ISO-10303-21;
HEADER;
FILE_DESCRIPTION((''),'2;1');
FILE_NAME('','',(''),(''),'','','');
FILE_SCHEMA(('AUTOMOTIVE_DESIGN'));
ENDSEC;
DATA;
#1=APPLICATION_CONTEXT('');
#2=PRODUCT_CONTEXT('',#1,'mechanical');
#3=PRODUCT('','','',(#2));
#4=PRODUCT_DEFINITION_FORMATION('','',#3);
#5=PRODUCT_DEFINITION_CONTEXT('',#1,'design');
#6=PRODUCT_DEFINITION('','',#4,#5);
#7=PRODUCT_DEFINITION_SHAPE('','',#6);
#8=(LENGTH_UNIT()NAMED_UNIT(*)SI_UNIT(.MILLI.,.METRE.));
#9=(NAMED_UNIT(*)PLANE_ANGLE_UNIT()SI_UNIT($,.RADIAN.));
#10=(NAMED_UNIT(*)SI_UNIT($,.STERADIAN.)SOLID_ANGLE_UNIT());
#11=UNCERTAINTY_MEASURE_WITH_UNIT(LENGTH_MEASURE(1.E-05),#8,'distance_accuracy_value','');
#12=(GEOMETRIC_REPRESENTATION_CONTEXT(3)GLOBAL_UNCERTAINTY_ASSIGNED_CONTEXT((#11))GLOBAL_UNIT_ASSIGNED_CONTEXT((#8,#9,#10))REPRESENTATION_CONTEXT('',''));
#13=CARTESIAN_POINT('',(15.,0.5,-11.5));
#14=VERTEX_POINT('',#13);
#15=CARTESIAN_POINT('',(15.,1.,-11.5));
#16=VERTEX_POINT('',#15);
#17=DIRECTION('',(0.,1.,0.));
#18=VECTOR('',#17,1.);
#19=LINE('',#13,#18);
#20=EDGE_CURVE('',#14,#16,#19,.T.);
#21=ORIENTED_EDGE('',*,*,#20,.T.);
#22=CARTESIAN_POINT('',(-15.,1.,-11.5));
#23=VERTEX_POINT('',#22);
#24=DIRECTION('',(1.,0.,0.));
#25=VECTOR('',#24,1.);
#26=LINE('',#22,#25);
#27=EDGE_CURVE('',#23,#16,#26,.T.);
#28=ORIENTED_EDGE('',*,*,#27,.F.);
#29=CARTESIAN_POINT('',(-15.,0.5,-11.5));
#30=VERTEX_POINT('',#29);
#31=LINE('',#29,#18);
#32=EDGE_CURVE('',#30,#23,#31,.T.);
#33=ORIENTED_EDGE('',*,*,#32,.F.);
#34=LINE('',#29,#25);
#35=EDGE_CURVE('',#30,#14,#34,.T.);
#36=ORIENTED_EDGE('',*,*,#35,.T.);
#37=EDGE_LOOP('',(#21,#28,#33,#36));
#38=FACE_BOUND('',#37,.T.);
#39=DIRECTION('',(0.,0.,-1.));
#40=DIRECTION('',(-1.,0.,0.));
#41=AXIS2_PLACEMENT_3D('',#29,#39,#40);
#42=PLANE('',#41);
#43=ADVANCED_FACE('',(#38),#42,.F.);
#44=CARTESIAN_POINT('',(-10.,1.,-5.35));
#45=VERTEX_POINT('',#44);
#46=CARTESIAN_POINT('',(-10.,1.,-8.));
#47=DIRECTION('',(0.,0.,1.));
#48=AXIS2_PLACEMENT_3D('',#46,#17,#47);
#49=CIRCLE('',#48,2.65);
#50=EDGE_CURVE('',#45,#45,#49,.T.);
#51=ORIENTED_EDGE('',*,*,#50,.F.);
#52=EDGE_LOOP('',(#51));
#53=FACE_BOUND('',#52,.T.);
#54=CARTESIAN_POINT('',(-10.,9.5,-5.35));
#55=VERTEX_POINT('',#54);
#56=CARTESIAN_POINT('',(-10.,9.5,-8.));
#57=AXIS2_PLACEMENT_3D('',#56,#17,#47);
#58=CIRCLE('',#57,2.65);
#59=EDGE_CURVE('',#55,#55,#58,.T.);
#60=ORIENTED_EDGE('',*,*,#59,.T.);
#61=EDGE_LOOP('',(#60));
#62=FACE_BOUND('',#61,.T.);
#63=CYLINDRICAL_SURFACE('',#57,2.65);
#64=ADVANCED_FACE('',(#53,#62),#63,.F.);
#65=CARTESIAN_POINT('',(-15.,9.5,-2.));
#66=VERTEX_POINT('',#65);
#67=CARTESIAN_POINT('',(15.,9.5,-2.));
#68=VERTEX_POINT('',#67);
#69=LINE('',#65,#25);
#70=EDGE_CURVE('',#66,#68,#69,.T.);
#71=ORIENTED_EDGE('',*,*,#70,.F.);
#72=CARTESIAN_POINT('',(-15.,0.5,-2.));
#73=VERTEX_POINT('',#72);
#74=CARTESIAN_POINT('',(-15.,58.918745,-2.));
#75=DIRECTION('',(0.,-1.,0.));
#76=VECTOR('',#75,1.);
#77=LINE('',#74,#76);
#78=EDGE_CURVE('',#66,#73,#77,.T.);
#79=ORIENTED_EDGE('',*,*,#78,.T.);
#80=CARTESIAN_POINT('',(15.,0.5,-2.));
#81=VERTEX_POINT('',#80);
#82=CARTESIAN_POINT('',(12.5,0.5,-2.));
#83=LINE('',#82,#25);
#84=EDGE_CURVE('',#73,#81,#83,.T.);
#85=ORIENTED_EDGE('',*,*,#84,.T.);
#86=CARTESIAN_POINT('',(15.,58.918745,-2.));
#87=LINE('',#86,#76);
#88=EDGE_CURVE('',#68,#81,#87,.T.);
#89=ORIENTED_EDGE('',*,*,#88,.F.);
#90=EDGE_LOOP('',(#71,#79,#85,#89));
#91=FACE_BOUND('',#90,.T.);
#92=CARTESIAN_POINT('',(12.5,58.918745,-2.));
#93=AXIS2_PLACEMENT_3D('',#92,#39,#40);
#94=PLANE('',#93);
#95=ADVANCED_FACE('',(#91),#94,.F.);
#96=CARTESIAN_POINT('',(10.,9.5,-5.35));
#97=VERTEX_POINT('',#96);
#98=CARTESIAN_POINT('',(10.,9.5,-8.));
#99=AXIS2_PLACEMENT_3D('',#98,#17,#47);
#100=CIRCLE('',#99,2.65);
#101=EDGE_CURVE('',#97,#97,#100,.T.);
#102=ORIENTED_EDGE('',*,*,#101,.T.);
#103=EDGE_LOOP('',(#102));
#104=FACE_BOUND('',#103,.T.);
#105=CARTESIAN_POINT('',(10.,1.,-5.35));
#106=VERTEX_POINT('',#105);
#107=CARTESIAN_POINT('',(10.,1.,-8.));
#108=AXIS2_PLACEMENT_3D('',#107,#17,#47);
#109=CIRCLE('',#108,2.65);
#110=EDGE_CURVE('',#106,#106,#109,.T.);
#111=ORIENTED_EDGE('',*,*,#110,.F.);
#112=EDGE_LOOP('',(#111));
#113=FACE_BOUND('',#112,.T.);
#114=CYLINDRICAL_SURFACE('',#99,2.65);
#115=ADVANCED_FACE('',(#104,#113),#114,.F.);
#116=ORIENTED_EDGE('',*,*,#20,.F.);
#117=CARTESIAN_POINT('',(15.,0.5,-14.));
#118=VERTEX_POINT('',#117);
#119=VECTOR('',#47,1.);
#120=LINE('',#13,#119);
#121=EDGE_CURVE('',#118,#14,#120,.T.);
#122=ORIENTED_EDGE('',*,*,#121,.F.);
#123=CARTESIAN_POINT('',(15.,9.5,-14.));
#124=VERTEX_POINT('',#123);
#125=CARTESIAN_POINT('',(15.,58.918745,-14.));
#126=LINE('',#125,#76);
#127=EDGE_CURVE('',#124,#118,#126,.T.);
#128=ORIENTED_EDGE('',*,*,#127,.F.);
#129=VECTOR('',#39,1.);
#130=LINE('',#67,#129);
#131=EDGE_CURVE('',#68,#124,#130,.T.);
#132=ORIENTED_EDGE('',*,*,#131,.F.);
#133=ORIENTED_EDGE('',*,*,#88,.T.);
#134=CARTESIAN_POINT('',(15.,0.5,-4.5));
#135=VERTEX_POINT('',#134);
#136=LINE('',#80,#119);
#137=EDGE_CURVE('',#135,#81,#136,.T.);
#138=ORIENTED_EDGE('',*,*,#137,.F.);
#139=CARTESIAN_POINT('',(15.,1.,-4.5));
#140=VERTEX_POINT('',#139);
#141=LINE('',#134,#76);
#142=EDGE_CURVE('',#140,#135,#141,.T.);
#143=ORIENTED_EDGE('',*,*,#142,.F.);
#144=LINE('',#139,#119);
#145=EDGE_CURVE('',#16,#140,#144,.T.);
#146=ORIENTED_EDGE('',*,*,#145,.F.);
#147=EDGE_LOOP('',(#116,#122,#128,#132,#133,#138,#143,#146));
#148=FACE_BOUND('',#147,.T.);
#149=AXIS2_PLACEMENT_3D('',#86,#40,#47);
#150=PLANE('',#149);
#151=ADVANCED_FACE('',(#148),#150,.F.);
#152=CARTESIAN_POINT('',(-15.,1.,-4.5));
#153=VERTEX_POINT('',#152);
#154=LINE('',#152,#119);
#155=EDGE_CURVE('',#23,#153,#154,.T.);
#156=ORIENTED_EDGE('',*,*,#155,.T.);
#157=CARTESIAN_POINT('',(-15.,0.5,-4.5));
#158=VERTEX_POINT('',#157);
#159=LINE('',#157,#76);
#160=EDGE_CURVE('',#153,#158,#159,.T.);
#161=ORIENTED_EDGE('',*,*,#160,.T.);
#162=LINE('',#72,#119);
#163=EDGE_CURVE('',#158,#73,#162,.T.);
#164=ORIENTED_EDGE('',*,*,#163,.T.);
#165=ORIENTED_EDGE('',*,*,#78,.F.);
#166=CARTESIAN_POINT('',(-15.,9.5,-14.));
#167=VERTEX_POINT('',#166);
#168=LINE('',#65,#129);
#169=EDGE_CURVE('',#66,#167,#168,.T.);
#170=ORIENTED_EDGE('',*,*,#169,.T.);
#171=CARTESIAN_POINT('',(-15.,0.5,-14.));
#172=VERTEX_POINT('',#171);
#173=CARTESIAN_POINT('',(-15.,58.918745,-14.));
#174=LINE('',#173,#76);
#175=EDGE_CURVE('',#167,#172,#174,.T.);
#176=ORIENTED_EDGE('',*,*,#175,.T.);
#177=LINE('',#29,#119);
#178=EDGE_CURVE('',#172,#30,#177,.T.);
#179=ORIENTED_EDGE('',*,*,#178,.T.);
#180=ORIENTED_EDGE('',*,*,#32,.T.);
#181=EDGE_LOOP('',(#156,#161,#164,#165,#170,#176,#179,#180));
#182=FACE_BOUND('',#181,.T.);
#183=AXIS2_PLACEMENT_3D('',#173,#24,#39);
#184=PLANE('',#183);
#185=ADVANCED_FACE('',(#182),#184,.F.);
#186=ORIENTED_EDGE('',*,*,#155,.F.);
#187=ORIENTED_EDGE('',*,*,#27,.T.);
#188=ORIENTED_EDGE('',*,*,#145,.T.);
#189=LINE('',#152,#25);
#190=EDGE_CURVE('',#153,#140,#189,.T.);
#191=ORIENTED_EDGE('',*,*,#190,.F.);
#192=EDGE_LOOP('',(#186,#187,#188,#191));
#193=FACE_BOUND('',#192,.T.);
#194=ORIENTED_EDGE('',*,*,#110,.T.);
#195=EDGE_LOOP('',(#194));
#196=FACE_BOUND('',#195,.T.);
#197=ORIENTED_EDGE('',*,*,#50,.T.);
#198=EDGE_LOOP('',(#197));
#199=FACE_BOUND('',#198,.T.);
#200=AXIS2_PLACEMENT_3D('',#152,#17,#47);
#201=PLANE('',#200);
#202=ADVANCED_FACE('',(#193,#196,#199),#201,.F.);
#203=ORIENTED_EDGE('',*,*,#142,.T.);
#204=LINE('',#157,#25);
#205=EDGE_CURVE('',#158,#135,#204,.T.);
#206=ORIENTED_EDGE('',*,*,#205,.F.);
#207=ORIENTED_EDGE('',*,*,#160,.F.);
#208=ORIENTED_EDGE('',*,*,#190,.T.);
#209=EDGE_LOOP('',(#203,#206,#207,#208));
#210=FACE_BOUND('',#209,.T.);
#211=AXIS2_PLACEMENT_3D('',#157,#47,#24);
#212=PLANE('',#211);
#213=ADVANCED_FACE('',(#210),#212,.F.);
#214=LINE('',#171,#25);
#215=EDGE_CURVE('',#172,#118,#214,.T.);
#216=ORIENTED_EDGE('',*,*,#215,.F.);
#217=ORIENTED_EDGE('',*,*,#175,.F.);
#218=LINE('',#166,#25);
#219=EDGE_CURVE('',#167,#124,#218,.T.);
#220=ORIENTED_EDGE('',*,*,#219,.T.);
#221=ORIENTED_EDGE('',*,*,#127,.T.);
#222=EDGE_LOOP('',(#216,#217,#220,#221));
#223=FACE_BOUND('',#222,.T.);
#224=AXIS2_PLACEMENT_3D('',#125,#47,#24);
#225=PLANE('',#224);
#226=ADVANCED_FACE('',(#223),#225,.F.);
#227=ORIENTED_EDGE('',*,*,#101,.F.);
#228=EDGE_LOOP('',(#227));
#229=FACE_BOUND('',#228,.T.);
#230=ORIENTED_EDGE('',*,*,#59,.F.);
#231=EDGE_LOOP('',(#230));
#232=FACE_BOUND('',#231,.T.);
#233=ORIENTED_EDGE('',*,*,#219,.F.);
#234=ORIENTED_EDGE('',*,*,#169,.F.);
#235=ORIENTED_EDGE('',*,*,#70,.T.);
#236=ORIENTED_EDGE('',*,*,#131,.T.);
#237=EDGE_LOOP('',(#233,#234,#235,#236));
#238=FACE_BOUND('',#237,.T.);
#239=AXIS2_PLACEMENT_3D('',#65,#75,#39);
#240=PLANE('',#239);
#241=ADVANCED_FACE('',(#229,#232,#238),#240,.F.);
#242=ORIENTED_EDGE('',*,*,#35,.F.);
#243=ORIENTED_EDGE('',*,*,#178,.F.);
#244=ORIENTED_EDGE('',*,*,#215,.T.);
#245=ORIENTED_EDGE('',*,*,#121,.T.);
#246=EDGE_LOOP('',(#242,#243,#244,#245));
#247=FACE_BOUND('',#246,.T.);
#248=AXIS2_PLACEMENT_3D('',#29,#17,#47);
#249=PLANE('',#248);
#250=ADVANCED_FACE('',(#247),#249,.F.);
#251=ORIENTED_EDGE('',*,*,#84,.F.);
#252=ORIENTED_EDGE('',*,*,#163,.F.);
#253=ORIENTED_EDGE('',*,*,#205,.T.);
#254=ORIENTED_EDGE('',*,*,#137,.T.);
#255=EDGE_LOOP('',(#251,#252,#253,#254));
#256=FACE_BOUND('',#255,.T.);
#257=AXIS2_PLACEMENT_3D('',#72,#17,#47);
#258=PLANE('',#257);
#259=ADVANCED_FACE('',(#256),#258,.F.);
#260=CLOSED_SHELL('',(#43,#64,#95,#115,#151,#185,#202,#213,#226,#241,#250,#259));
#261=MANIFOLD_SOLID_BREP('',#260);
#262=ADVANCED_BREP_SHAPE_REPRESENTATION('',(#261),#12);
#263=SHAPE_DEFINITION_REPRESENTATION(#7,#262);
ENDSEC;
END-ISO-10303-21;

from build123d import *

# Parameters (mm, degrees)
BOSS_EXTRUDE3_DEPTH           = 20.5
BOSS_EXTRUDE3_DEPTH_BACK      = 20.5
CUT_EXTRUDE1_DEPTH            = 30.004310025
CUT_EXTRUDE1_DEPTH_BACK       = 30.004310025
SKETCH5_W                     = 12
SKETCH5_H                     = 11
SPLIT1_SURFACE_1_BACK         = 57.187
SPLIT1_SURFACE_1_DEPTH        = 114.374
SPLIT1_SURFACE_2_BACK         = 57.187
SPLIT1_SURFACE_2_DEPTH        = 114.374
M5_TAPPED_HOLE1_AT_2_COUNT    = 2
M5_TAPPED_HOLE1_AT_2_PITCH    = 20
SKETCH13_W                    = 2.65
SKETCH13_H                    = 8.5
M5_CLEARANCE_HOLE1_AT_2_COUNT = 2
M5_CLEARANCE_HOLE1_AT_2_PITCH = 20
SKETCH4_W                     = 1.65
SKETCH4_H                     = 25.5
SKETCH4_AT_POINT_2_W          = 1.65
SKETCH4_AT_POINT_2_H          = 25.5
SKETCH4_AT_POINT_3_W          = 1.65
SKETCH4_AT_POINT_3_H          = 25.5
SKETCH4_AT_POINT_4_W          = 1.65
SKETCH4_AT_POINT_4_H          = 25.5
CHAMFER1_SIZE                 = 2
CHAMFER2_SIZE                 = 1
CHAMFER2_SIZE2                = 1.732050808
FILLET1_R                     = 0.2


with BuildPart() as part:
    # Sketch3 → Boss-Extrude3 (new, two sides: drawn at the far end of the back side and taken through both)
    with BuildSketch(Plane(origin=(0, 0, 0), x_dir=(1, 0, 0), z_dir=(0, 1, 0)).offset(-BOSS_EXTRUDE3_DEPTH_BACK)):
        Polygon((10.5, -10), (10.5, 0), (12.5, 0), (12.5, 2), (15, 2), (15, 14), (-15, 14), (-15, 2), (-10.5, 2), (-10.5, 0), (-10.5, -10), align=None)
    extrude(amount=BOSS_EXTRUDE3_DEPTH + BOSS_EXTRUDE3_DEPTH_BACK)

    # Sketch5 → Cut-Extrude1 (cut, two sides: drawn at the far end of the back side and taken through both)
    with BuildSketch(Plane(origin=(0, 0, 0), x_dir=(0, 0, -1), z_dir=(1, 0, 0)).offset(-CUT_EXTRUDE1_DEPTH_BACK)):
        Polygon((2, 0.5), (4.5, 0.5), (4.5, 1), (11.5, 1), (11.5, 0.5), (14, 0.5), (14, -0.5), (11.5, -0.5), (11.5, -1), (4.5, -1), (4.5, -0.5), (2, -0.5), align=None)
        with Locations((8, 15)):
            Rectangle(SKETCH5_W, SKETCH5_H)
    extrude(amount=CUT_EXTRUDE1_DEPTH + CUT_EXTRUDE1_DEPTH_BACK, mode=Mode.SUBTRACT)


with BuildPart() as body_2:
    # Split1: the piece behind the surface
    add(part.part)
    # Split1 surface: a surface, the sketch's curves swept straight by 114.374 mm
    with BuildLine(Plane.ZY.offset(10.5).offset(-SPLIT1_SURFACE_1_BACK), mode=Mode.PRIVATE) as split1_surface_1_path:
        Line((-2, 20.5), (-2, -0.5))
    split1_surface_1 = Shell.extrude(split1_surface_1_path.wire(), (-1 * SPLIT1_SURFACE_1_DEPTH, 0 * SPLIT1_SURFACE_1_DEPTH, 0 * SPLIT1_SURFACE_1_DEPTH))
    split(bisect_by=split1_surface_1, keep=Keep.BOTTOM)

    # Sketch13 → M5 Clearance Hole1 (revolve, cut)
    with BuildSketch(Plane(origin=(-10, 9.5, -8), x_dir=(0, 0, 1), z_dir=(1, 0, 0))):
        with Locations((1.325, 4.25)):
            Rectangle(SKETCH13_W, SKETCH13_H)
    m5_clearance_hole1 = revolve(axis=Axis((-10, 15.85, -8), (0, -1, 0)), mode=Mode.SUBTRACT)

    # M5 Clearance Hole1 at 2: M5 Clearance Hole1 ×2
    with Locations(*[(i * M5_CLEARANCE_HOLE1_AT_2_PITCH, 0, 0) for i in range(1, M5_CLEARANCE_HOLE1_AT_2_COUNT)]):
        add(m5_clearance_hole1, mode=Mode.SUBTRACT)


with BuildPart() as part_1:
    add(part.part)

    # Split1: split by a surface, the side it looks to stays
    # Split1 surface: a surface, the sketch's curves swept straight by 114.374 mm
    with BuildLine(Plane.ZY.offset(10.5).offset(-SPLIT1_SURFACE_2_BACK), mode=Mode.PRIVATE) as split1_surface_2_path:
        Line((-2, 20.5), (-2, -0.5))
    split1_surface_2 = Shell.extrude(split1_surface_2_path.wire(), (-1 * SPLIT1_SURFACE_2_DEPTH, 0 * SPLIT1_SURFACE_2_DEPTH, 0 * SPLIT1_SURFACE_2_DEPTH))
    split(bisect_by=split1_surface_2, keep=Keep.TOP)

    # Sketch10 → M5 Tapped Hole1 (revolve, cut)
    with BuildSketch(Plane(origin=(-10, -1, -8), x_dir=(0, 0, 1), z_dir=(1, 0, 0))):
        Polygon((0, 0), (0, 15.2618073), (2.1, 14), (2.1, 0), align=None)
    m5_tapped_hole1 = revolve(axis=Axis((-10, 5.35, -8), (0, -1, 0)), mode=Mode.SUBTRACT)

    # M5 Tapped Hole1 at 2: M5 Tapped Hole1 ×2
    with Locations(*[(i * M5_TAPPED_HOLE1_AT_2_PITCH, 0, 0) for i in range(1, M5_TAPPED_HOLE1_AT_2_COUNT)]):
        add(m5_tapped_hole1, mode=Mode.SUBTRACT)

    # Sketch4 → M4 Tapped Hole1 (revolve, cut)
    with BuildSketch(Plane(origin=(10.5, 12.5, 5), x_dir=(0, 0, -1), z_dir=(0, 1, 0))):
        with Locations((0.825, 12.75)):
            Rectangle(SKETCH4_W, SKETCH4_H)
    revolve(axis=Axis((10.5, 12.5, 3.35), (0, 0, 1)), mode=Mode.SUBTRACT)

    # Sketch4 at point 2 (carried to point 2, square into its face) → M4 Tapped Hole1 at 2 (revolve, cut)
    with BuildSketch(Plane(origin=(10.5, -12.5, 5), x_dir=(1, 0, 0), z_dir=(0, 1, 0))):
        with Locations((0.825, 12.75)):
            Rectangle(SKETCH4_AT_POINT_2_W, SKETCH4_AT_POINT_2_H)
    revolve(axis=Axis((12.15, -12.5, 5), (-1, 0, 0)), mode=Mode.SUBTRACT)

    # Sketch4 at point 3 (carried to point 3, square into its face) → M4 Tapped Hole1 at 3 (revolve, cut)
    with BuildSketch(Plane(origin=(-10.5, 12.5, 5), x_dir=(-1, 0, 0), z_dir=(0, 1, 0))):
        with Locations((0.825, 12.75)):
            Rectangle(SKETCH4_AT_POINT_3_W, SKETCH4_AT_POINT_3_H)
    revolve(axis=Axis((-12.15, 12.5, 5), (1, 0, 0)), mode=Mode.SUBTRACT)

    # Sketch4 at point 4 (carried to point 4, square into its face) → M4 Tapped Hole1 at 4 (revolve, cut)
    with BuildSketch(Plane(origin=(-10.5, -12.5, 5), x_dir=(-1, 0, 0), z_dir=(0, 1, 0))):
        with Locations((0.825, 12.75)):
            Rectangle(SKETCH4_AT_POINT_4_W, SKETCH4_AT_POINT_4_H)
    revolve(axis=Axis((-12.15, -12.5, 5), (1, 0, 0)), mode=Mode.SUBTRACT)

    # Chamfer1
    chamfer1_edges = [part_1.edges().sort_by_distance(p)[0] for p in [
        (-10.5, -20.5, -2),
        (10.5, -20.5, -2),
        (10.5, 20.5, 7.5),
        (-10.5, 20.5, 0.675),
    ]]
    chamfer(chamfer1_edges, length=CHAMFER1_SIZE)

    # Chamfer2
    chamfer2_edges = [part_1.edges().sort_by_distance(p)[0] for p in [
        (0, -20.5, 10),
        (10.5, 0, 10),
        (-1, 20.5, 10),
        (-10.5, 1, 10),
        (-1, 20.5, 10),
        (9.5, 19.5, 10),
        (-9.5, -19.5, 10),
        (9.5, -19.5, 10),
    ]]
    chamfer2_side = [part_1.faces().sort_by_distance(p)[0] for p in [
        (-0.023001949, 0.046393762, 10),
    ]]
    chamfer(chamfer2_edges, length=CHAMFER2_SIZE, length2=CHAMFER2_SIZE2, reference=chamfer2_side[0])

    # Fillet1
    fillet1_edges = [part_1.edges().sort_by_distance(p)[0] for p in [
        (0, -0.5, -2),
    ]]
    fillet(fillet1_edges, radius=FILLET1_R)


solid = body_2.part
